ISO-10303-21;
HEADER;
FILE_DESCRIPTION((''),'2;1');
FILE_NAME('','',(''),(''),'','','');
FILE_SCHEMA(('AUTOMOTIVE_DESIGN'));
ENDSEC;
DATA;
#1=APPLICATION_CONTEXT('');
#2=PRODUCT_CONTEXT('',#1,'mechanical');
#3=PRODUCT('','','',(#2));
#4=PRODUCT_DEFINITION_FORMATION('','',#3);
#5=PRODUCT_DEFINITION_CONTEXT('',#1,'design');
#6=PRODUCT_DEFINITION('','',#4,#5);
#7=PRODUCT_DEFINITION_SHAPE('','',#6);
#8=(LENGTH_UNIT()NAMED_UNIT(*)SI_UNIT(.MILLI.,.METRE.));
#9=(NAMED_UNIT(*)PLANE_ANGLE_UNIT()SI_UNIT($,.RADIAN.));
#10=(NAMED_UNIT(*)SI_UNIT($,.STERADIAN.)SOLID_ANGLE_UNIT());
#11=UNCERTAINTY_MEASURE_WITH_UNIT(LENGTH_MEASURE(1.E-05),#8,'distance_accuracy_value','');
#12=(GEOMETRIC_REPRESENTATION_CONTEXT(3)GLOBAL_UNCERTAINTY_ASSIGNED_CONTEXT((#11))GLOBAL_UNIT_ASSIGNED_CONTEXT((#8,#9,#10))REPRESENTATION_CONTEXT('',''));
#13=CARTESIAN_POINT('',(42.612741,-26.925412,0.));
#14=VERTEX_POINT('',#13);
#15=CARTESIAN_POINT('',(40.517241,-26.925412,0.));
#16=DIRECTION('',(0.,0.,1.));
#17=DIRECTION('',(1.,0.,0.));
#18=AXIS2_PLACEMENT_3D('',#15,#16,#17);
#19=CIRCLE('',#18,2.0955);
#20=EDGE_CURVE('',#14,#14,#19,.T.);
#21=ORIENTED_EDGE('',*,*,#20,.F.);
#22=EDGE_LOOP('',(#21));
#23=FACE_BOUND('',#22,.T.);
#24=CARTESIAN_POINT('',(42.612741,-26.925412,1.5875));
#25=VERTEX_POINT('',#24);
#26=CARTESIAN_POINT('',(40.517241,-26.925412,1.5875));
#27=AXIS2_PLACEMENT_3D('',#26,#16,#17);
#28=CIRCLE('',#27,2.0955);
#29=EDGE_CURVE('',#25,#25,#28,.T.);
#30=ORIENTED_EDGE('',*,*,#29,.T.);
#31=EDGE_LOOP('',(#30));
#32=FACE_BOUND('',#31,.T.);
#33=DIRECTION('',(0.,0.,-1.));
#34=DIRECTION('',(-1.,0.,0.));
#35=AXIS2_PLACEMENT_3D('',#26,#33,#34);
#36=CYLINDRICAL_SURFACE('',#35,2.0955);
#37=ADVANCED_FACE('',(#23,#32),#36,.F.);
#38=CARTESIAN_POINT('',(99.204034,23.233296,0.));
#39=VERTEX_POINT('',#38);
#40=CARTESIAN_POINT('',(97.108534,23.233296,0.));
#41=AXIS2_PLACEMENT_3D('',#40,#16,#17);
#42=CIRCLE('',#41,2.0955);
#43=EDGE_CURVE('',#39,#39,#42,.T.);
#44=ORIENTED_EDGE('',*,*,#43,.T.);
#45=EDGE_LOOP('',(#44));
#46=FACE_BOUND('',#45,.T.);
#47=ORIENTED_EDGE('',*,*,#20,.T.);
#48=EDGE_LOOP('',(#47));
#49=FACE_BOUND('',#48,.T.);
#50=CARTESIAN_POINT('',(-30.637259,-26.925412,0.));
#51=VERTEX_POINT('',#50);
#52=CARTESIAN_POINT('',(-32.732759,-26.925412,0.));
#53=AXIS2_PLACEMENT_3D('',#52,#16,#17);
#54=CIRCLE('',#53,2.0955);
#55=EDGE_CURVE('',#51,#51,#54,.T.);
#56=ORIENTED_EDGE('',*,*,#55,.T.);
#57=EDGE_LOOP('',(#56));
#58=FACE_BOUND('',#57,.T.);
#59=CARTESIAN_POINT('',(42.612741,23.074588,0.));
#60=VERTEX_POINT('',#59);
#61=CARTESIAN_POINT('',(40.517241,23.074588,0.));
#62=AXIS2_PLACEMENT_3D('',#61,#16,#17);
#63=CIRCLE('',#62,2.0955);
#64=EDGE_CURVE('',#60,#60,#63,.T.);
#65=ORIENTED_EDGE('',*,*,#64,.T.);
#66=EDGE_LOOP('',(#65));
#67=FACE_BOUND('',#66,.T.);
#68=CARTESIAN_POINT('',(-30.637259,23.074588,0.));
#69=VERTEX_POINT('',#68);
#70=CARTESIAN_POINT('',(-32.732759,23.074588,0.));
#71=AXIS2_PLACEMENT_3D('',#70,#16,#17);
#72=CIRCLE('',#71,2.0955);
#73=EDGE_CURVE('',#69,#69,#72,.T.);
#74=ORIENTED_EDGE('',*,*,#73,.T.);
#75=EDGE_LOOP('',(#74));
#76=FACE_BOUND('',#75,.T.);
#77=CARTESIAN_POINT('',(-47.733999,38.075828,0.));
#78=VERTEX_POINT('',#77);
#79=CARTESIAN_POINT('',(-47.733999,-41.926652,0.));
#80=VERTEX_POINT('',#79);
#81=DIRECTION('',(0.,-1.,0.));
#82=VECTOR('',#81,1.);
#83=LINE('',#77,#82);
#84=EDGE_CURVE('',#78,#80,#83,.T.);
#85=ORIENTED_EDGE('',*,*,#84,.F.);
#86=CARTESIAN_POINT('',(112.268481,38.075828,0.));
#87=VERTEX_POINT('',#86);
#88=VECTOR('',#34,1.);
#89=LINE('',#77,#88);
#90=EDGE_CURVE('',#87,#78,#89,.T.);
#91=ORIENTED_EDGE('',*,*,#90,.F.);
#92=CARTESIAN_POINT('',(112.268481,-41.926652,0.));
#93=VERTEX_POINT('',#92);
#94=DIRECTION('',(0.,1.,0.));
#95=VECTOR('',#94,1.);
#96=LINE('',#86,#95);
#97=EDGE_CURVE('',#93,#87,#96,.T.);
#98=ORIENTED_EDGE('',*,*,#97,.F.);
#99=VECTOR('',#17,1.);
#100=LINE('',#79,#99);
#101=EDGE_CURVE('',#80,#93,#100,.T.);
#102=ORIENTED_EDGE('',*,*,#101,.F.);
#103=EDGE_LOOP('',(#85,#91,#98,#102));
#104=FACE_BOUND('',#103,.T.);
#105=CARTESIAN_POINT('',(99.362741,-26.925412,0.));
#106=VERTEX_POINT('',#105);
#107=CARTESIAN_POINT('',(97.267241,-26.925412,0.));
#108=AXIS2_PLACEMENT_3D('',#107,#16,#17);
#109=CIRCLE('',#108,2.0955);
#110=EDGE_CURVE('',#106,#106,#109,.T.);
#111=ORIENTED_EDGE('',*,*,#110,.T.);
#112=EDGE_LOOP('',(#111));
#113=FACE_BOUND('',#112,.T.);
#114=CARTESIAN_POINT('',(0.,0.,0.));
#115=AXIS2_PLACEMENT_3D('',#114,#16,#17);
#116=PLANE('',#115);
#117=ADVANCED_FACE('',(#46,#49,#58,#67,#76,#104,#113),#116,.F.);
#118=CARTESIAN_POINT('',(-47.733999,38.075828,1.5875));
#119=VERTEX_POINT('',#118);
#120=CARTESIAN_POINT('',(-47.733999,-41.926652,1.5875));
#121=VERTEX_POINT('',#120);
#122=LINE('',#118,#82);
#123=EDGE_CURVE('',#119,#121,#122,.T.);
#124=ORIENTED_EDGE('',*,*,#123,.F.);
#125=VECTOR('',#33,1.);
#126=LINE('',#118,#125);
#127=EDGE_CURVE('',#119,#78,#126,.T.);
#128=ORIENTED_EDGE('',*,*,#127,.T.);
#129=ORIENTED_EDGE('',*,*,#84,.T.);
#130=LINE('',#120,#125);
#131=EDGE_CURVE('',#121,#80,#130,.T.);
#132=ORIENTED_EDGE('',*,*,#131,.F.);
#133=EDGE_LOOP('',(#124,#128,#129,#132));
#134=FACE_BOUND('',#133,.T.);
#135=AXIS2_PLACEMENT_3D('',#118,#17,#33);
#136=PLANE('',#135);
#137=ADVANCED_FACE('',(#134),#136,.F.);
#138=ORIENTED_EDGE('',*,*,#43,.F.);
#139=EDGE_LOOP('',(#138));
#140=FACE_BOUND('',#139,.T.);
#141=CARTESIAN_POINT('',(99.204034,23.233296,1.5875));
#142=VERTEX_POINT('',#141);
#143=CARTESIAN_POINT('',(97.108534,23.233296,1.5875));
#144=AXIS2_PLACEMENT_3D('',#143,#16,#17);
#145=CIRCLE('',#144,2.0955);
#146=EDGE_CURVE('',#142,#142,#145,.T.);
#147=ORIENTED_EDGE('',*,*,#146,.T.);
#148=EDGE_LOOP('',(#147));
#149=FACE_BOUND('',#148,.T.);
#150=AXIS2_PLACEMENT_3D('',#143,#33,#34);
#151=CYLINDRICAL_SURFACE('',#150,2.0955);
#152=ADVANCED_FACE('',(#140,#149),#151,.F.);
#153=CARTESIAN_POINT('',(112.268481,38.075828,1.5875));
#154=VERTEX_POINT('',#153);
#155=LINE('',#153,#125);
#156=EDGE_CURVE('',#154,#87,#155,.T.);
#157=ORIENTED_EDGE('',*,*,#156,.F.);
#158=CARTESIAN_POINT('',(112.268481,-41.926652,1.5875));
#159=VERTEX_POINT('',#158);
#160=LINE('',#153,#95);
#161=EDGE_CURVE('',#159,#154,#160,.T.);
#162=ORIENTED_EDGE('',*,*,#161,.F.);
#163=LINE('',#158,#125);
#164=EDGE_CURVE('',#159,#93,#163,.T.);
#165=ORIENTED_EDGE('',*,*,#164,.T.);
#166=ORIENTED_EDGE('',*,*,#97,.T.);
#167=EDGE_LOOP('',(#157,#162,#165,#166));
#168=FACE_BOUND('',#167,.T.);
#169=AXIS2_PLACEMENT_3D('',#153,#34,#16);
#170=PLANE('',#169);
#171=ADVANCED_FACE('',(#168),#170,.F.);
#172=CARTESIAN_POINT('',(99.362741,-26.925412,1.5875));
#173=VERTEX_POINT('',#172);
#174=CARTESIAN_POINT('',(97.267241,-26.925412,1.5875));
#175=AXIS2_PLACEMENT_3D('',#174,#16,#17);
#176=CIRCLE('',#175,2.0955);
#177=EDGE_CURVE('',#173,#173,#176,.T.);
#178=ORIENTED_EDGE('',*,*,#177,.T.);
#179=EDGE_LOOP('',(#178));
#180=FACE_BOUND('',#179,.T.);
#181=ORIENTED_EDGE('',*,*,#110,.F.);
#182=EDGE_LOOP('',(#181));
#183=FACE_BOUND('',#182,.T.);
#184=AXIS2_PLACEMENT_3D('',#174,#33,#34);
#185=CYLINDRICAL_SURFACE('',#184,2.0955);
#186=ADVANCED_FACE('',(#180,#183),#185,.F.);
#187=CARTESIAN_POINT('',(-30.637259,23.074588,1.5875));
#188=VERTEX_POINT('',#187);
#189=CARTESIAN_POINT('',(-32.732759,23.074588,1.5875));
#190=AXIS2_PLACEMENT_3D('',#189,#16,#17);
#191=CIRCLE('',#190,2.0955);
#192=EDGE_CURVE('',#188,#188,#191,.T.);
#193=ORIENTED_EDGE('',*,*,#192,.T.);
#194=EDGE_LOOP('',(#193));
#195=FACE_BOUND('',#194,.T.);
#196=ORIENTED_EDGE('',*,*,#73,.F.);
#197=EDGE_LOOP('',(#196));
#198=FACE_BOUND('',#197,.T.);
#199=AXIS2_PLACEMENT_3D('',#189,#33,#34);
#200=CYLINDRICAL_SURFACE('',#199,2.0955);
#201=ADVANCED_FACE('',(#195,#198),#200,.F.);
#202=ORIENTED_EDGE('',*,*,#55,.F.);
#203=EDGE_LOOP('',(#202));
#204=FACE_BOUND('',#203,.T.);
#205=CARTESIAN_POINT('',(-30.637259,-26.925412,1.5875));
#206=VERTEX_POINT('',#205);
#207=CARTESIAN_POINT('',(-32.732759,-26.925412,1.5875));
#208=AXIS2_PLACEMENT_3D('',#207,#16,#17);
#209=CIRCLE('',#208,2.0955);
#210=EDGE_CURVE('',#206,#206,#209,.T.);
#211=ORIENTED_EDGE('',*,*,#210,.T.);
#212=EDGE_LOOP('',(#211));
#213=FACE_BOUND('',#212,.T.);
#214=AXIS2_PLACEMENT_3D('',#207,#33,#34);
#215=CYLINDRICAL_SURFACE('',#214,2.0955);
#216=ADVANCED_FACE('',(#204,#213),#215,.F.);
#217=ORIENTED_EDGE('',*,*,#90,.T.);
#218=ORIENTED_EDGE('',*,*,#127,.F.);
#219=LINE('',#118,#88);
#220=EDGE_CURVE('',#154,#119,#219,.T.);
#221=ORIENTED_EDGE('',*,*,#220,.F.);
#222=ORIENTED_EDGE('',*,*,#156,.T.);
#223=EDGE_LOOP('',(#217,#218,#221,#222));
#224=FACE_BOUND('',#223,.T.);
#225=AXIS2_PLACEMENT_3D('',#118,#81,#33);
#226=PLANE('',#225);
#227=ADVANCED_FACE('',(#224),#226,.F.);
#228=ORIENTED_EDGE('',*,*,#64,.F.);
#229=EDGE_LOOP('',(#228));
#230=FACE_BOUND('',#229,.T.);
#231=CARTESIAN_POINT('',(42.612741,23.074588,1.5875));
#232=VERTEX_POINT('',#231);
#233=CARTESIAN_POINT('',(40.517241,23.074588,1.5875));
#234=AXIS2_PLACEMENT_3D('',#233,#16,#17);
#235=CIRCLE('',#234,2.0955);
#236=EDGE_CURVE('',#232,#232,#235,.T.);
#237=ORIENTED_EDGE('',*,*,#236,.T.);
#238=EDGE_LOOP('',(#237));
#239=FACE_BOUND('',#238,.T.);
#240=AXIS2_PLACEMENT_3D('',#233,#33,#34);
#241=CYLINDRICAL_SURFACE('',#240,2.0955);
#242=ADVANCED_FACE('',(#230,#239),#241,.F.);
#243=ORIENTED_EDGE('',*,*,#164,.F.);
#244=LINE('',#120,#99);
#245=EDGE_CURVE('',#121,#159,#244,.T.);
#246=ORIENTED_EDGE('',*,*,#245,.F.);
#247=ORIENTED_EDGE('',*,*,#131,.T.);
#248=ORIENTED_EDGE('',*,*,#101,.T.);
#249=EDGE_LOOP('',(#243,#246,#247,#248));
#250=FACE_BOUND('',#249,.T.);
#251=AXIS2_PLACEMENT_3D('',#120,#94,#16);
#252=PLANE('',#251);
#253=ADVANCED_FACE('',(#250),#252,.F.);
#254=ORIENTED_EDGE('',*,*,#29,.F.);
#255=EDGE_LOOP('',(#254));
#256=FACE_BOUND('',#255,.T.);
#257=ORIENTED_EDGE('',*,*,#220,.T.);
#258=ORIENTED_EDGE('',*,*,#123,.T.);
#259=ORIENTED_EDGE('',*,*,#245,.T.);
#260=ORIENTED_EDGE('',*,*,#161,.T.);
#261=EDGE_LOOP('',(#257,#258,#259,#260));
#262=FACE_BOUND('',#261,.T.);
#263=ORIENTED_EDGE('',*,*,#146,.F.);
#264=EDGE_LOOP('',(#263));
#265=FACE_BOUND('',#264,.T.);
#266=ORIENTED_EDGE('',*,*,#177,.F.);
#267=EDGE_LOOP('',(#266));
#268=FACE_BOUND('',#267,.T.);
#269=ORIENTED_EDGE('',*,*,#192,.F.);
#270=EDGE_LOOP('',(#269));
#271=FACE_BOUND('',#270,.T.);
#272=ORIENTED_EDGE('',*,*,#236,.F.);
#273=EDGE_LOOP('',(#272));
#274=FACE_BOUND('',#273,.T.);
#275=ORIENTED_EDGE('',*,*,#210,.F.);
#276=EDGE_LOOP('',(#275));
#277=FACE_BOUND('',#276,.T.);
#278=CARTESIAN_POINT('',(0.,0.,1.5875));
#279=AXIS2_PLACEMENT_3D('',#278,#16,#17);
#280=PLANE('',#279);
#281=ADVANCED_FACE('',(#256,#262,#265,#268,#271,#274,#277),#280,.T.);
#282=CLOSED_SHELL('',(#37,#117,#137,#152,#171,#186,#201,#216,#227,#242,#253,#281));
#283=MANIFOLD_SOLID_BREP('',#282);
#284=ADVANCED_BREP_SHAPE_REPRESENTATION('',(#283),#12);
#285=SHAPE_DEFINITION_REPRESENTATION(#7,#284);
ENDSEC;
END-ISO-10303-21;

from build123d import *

# Parameters (mm, degrees)
SKETCH1_W           = 160.00248
SKETCH1_H           = 80.00248
SKETCH1_R           = 2.0955
BOSS_EXTRUDE1_DEPTH = 1.5875


with BuildPart() as part:
    # Sketch1 → Boss-Extrude1 (new body)
    with BuildSketch(Plane.XY):
        with Locations((32.267241011, -1.925411501)):
            Rectangle(SKETCH1_W, SKETCH1_H)
        with Locations((-32.732758989, 23.074588499)):
            Circle(SKETCH1_R, mode=Mode.SUBTRACT)
        with Locations((-32.732758989, -26.925411501)):
            Circle(SKETCH1_R, mode=Mode.SUBTRACT)
        with Locations((40.517241011, 23.074588499)):
            Circle(SKETCH1_R, mode=Mode.SUBTRACT)
        with Locations((97.108533989, 23.233295522)):
            Circle(SKETCH1_R, mode=Mode.SUBTRACT)
        with Locations((40.517241011, -26.925411501)):
            Circle(SKETCH1_R, mode=Mode.SUBTRACT)
        with Locations((97.267241011, -26.925411501)):
            Circle(SKETCH1_R, mode=Mode.SUBTRACT)
    extrude(amount=BOSS_EXTRUDE1_DEPTH)


solid = part.part
